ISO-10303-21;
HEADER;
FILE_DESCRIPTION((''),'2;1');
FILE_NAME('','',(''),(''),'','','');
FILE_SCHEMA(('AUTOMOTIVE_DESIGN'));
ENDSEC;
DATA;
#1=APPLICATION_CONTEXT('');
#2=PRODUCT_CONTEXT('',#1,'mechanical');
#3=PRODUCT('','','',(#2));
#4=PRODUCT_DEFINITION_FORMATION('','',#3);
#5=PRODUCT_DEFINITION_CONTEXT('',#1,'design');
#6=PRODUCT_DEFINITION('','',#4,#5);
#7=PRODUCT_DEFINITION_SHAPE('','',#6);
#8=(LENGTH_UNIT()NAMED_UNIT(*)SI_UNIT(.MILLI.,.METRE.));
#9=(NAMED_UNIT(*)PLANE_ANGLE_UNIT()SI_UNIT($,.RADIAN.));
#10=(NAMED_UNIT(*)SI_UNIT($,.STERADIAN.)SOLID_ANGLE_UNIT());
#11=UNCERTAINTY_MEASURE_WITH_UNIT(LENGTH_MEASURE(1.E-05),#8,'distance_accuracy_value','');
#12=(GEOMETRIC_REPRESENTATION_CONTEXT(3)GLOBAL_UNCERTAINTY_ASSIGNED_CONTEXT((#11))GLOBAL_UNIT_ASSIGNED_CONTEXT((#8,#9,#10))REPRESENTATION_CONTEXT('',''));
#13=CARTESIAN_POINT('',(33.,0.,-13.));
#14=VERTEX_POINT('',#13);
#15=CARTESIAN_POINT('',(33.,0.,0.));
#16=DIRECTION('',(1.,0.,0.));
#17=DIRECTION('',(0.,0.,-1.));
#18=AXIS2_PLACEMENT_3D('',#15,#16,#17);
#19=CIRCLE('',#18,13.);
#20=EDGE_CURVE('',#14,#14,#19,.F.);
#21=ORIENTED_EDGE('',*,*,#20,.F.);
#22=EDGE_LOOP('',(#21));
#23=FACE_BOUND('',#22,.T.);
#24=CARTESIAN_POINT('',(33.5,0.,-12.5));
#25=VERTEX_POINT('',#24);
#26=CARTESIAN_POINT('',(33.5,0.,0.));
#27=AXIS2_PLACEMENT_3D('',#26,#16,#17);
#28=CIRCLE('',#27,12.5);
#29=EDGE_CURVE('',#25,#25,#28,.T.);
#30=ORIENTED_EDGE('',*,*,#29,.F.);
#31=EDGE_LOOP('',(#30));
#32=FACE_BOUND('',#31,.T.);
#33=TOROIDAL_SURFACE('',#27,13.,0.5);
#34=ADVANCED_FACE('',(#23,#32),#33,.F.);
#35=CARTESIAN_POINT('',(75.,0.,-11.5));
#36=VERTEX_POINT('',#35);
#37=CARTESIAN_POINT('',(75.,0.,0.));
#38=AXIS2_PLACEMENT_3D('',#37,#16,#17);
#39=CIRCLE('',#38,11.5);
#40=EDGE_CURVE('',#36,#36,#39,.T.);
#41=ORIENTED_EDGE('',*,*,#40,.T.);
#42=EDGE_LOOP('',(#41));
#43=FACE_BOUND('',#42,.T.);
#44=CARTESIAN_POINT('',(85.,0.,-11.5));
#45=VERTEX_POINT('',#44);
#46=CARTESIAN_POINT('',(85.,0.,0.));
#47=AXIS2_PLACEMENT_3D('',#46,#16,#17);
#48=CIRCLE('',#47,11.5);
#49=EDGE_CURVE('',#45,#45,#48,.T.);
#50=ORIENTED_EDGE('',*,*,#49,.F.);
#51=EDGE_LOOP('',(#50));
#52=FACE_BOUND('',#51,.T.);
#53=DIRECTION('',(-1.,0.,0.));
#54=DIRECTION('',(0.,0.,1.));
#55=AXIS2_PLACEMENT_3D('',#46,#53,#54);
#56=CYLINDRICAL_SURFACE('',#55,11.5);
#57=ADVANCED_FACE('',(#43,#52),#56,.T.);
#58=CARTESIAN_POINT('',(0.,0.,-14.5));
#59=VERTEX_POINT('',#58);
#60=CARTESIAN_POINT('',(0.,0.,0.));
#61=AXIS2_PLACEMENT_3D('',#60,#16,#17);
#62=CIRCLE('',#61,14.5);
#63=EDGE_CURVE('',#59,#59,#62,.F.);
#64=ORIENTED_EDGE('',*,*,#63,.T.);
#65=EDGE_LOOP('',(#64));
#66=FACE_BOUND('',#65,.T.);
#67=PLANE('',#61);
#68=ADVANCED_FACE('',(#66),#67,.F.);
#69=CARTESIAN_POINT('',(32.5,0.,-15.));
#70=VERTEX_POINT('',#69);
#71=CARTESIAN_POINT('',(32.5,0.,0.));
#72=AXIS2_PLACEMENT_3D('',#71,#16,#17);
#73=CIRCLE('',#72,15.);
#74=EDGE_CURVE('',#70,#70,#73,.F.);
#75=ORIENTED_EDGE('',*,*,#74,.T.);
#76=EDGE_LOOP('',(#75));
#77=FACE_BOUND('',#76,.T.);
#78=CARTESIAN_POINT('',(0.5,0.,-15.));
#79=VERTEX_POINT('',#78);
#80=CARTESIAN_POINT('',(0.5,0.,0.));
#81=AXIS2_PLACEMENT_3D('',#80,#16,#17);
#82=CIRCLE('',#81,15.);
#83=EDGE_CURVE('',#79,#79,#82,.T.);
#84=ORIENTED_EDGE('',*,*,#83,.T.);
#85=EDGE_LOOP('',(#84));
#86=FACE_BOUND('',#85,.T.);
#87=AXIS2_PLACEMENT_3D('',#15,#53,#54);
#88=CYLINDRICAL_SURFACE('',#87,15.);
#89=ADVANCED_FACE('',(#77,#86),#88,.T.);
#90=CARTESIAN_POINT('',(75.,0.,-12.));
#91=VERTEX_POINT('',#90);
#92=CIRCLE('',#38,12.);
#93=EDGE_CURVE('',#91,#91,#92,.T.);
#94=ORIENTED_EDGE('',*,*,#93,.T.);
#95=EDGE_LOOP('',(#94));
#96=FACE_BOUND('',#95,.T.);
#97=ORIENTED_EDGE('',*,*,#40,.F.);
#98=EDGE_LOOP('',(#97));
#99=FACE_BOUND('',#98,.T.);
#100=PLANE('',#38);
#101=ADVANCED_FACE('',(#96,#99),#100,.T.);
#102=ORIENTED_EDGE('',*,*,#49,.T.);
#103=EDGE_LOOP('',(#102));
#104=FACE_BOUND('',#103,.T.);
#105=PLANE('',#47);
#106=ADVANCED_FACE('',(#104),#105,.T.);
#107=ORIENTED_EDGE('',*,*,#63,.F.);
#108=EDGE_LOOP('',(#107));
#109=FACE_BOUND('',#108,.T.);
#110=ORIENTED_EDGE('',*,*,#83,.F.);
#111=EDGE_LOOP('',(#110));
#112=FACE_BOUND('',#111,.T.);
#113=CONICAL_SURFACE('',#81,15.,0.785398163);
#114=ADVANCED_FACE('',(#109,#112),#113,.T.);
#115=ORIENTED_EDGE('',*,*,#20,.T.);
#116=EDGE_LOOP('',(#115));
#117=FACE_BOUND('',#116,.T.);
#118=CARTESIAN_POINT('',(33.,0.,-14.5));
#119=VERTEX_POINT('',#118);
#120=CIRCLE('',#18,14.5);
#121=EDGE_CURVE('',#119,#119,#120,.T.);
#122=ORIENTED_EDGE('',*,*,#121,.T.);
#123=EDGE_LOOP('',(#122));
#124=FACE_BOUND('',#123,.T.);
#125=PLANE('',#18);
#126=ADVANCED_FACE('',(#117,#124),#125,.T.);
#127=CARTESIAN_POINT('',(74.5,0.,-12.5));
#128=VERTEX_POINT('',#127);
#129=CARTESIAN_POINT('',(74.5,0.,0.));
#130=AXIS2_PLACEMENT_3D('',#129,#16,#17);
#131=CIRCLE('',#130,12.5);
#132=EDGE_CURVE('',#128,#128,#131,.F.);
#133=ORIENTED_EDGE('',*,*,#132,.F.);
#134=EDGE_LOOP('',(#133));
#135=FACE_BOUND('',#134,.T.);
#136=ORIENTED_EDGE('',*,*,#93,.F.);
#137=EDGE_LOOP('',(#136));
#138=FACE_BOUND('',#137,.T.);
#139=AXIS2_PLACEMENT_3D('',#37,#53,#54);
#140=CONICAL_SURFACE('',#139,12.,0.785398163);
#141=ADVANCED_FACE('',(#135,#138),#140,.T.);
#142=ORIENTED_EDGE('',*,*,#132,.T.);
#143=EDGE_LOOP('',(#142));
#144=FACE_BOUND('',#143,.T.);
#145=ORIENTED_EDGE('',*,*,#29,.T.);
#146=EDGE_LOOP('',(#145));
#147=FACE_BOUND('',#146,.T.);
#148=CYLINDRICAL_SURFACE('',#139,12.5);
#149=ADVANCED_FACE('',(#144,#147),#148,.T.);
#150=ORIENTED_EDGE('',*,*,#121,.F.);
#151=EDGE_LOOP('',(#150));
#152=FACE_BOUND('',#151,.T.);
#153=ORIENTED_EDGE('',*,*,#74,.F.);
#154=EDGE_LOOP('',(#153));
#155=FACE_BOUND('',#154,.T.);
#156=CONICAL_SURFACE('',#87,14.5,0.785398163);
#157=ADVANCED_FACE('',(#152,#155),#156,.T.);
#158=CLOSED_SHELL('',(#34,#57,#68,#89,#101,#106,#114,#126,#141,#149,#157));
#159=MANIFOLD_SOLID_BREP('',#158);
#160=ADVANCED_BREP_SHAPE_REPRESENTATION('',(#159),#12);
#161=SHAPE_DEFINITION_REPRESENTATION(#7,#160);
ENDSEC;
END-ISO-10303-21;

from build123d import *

# Parameters (mm, degrees)
SKETCH_1_R      = 15
EXTRUDE_1_DEPTH = 33
SKETCH_2_R      = 12.5
EXTRUDE_2_DEPTH = 42
FILLET_1_R      = 0.5
CHAMFER_1_SIZE  = 0.5
SKETCH_3_R      = 11.5
EXTRUDE_3_DEPTH = 10


with BuildPart() as part:
    # 草图1 → 凸台-拉伸1 (new body)
    with BuildSketch(Plane(origin=(0, 0, 0), x_dir=(0, 0, -1), z_dir=(1, 0, 0))):
        Circle(SKETCH_1_R)
    extrude(amount=EXTRUDE_1_DEPTH)

    # 草图2 → 凸台-拉伸2 (add)
    with BuildSketch(Plane(origin=(33, 0, 0), x_dir=(0, 0, -1), z_dir=(1, 0, 0))):
        Circle(SKETCH_2_R)
    extrude(amount=EXTRUDE_2_DEPTH)

    # 圆角1
    fillet_1_edges = [part.edges().sort_by_distance(p)[0] for p in [
        (33, 0, 12.5),
    ]]
    fillet(fillet_1_edges, radius=FILLET_1_R)

    # 倒角1
    chamfer_1_edges = [part.edges().sort_by_distance(p)[0] for p in [
        (0, 0, 15),
        (33, 0, 15),
        (75, 0, 12.5),
    ]]
    chamfer(chamfer_1_edges, length=CHAMFER_1_SIZE)

    # 草图3 → 凸台-拉伸3 (add)
    with BuildSketch(Plane(origin=(75, 0, 0), x_dir=(0, 0, -1), z_dir=(1, 0, 0))):
        Circle(SKETCH_3_R)
    extrude(amount=EXTRUDE_3_DEPTH)


solid = part.part
